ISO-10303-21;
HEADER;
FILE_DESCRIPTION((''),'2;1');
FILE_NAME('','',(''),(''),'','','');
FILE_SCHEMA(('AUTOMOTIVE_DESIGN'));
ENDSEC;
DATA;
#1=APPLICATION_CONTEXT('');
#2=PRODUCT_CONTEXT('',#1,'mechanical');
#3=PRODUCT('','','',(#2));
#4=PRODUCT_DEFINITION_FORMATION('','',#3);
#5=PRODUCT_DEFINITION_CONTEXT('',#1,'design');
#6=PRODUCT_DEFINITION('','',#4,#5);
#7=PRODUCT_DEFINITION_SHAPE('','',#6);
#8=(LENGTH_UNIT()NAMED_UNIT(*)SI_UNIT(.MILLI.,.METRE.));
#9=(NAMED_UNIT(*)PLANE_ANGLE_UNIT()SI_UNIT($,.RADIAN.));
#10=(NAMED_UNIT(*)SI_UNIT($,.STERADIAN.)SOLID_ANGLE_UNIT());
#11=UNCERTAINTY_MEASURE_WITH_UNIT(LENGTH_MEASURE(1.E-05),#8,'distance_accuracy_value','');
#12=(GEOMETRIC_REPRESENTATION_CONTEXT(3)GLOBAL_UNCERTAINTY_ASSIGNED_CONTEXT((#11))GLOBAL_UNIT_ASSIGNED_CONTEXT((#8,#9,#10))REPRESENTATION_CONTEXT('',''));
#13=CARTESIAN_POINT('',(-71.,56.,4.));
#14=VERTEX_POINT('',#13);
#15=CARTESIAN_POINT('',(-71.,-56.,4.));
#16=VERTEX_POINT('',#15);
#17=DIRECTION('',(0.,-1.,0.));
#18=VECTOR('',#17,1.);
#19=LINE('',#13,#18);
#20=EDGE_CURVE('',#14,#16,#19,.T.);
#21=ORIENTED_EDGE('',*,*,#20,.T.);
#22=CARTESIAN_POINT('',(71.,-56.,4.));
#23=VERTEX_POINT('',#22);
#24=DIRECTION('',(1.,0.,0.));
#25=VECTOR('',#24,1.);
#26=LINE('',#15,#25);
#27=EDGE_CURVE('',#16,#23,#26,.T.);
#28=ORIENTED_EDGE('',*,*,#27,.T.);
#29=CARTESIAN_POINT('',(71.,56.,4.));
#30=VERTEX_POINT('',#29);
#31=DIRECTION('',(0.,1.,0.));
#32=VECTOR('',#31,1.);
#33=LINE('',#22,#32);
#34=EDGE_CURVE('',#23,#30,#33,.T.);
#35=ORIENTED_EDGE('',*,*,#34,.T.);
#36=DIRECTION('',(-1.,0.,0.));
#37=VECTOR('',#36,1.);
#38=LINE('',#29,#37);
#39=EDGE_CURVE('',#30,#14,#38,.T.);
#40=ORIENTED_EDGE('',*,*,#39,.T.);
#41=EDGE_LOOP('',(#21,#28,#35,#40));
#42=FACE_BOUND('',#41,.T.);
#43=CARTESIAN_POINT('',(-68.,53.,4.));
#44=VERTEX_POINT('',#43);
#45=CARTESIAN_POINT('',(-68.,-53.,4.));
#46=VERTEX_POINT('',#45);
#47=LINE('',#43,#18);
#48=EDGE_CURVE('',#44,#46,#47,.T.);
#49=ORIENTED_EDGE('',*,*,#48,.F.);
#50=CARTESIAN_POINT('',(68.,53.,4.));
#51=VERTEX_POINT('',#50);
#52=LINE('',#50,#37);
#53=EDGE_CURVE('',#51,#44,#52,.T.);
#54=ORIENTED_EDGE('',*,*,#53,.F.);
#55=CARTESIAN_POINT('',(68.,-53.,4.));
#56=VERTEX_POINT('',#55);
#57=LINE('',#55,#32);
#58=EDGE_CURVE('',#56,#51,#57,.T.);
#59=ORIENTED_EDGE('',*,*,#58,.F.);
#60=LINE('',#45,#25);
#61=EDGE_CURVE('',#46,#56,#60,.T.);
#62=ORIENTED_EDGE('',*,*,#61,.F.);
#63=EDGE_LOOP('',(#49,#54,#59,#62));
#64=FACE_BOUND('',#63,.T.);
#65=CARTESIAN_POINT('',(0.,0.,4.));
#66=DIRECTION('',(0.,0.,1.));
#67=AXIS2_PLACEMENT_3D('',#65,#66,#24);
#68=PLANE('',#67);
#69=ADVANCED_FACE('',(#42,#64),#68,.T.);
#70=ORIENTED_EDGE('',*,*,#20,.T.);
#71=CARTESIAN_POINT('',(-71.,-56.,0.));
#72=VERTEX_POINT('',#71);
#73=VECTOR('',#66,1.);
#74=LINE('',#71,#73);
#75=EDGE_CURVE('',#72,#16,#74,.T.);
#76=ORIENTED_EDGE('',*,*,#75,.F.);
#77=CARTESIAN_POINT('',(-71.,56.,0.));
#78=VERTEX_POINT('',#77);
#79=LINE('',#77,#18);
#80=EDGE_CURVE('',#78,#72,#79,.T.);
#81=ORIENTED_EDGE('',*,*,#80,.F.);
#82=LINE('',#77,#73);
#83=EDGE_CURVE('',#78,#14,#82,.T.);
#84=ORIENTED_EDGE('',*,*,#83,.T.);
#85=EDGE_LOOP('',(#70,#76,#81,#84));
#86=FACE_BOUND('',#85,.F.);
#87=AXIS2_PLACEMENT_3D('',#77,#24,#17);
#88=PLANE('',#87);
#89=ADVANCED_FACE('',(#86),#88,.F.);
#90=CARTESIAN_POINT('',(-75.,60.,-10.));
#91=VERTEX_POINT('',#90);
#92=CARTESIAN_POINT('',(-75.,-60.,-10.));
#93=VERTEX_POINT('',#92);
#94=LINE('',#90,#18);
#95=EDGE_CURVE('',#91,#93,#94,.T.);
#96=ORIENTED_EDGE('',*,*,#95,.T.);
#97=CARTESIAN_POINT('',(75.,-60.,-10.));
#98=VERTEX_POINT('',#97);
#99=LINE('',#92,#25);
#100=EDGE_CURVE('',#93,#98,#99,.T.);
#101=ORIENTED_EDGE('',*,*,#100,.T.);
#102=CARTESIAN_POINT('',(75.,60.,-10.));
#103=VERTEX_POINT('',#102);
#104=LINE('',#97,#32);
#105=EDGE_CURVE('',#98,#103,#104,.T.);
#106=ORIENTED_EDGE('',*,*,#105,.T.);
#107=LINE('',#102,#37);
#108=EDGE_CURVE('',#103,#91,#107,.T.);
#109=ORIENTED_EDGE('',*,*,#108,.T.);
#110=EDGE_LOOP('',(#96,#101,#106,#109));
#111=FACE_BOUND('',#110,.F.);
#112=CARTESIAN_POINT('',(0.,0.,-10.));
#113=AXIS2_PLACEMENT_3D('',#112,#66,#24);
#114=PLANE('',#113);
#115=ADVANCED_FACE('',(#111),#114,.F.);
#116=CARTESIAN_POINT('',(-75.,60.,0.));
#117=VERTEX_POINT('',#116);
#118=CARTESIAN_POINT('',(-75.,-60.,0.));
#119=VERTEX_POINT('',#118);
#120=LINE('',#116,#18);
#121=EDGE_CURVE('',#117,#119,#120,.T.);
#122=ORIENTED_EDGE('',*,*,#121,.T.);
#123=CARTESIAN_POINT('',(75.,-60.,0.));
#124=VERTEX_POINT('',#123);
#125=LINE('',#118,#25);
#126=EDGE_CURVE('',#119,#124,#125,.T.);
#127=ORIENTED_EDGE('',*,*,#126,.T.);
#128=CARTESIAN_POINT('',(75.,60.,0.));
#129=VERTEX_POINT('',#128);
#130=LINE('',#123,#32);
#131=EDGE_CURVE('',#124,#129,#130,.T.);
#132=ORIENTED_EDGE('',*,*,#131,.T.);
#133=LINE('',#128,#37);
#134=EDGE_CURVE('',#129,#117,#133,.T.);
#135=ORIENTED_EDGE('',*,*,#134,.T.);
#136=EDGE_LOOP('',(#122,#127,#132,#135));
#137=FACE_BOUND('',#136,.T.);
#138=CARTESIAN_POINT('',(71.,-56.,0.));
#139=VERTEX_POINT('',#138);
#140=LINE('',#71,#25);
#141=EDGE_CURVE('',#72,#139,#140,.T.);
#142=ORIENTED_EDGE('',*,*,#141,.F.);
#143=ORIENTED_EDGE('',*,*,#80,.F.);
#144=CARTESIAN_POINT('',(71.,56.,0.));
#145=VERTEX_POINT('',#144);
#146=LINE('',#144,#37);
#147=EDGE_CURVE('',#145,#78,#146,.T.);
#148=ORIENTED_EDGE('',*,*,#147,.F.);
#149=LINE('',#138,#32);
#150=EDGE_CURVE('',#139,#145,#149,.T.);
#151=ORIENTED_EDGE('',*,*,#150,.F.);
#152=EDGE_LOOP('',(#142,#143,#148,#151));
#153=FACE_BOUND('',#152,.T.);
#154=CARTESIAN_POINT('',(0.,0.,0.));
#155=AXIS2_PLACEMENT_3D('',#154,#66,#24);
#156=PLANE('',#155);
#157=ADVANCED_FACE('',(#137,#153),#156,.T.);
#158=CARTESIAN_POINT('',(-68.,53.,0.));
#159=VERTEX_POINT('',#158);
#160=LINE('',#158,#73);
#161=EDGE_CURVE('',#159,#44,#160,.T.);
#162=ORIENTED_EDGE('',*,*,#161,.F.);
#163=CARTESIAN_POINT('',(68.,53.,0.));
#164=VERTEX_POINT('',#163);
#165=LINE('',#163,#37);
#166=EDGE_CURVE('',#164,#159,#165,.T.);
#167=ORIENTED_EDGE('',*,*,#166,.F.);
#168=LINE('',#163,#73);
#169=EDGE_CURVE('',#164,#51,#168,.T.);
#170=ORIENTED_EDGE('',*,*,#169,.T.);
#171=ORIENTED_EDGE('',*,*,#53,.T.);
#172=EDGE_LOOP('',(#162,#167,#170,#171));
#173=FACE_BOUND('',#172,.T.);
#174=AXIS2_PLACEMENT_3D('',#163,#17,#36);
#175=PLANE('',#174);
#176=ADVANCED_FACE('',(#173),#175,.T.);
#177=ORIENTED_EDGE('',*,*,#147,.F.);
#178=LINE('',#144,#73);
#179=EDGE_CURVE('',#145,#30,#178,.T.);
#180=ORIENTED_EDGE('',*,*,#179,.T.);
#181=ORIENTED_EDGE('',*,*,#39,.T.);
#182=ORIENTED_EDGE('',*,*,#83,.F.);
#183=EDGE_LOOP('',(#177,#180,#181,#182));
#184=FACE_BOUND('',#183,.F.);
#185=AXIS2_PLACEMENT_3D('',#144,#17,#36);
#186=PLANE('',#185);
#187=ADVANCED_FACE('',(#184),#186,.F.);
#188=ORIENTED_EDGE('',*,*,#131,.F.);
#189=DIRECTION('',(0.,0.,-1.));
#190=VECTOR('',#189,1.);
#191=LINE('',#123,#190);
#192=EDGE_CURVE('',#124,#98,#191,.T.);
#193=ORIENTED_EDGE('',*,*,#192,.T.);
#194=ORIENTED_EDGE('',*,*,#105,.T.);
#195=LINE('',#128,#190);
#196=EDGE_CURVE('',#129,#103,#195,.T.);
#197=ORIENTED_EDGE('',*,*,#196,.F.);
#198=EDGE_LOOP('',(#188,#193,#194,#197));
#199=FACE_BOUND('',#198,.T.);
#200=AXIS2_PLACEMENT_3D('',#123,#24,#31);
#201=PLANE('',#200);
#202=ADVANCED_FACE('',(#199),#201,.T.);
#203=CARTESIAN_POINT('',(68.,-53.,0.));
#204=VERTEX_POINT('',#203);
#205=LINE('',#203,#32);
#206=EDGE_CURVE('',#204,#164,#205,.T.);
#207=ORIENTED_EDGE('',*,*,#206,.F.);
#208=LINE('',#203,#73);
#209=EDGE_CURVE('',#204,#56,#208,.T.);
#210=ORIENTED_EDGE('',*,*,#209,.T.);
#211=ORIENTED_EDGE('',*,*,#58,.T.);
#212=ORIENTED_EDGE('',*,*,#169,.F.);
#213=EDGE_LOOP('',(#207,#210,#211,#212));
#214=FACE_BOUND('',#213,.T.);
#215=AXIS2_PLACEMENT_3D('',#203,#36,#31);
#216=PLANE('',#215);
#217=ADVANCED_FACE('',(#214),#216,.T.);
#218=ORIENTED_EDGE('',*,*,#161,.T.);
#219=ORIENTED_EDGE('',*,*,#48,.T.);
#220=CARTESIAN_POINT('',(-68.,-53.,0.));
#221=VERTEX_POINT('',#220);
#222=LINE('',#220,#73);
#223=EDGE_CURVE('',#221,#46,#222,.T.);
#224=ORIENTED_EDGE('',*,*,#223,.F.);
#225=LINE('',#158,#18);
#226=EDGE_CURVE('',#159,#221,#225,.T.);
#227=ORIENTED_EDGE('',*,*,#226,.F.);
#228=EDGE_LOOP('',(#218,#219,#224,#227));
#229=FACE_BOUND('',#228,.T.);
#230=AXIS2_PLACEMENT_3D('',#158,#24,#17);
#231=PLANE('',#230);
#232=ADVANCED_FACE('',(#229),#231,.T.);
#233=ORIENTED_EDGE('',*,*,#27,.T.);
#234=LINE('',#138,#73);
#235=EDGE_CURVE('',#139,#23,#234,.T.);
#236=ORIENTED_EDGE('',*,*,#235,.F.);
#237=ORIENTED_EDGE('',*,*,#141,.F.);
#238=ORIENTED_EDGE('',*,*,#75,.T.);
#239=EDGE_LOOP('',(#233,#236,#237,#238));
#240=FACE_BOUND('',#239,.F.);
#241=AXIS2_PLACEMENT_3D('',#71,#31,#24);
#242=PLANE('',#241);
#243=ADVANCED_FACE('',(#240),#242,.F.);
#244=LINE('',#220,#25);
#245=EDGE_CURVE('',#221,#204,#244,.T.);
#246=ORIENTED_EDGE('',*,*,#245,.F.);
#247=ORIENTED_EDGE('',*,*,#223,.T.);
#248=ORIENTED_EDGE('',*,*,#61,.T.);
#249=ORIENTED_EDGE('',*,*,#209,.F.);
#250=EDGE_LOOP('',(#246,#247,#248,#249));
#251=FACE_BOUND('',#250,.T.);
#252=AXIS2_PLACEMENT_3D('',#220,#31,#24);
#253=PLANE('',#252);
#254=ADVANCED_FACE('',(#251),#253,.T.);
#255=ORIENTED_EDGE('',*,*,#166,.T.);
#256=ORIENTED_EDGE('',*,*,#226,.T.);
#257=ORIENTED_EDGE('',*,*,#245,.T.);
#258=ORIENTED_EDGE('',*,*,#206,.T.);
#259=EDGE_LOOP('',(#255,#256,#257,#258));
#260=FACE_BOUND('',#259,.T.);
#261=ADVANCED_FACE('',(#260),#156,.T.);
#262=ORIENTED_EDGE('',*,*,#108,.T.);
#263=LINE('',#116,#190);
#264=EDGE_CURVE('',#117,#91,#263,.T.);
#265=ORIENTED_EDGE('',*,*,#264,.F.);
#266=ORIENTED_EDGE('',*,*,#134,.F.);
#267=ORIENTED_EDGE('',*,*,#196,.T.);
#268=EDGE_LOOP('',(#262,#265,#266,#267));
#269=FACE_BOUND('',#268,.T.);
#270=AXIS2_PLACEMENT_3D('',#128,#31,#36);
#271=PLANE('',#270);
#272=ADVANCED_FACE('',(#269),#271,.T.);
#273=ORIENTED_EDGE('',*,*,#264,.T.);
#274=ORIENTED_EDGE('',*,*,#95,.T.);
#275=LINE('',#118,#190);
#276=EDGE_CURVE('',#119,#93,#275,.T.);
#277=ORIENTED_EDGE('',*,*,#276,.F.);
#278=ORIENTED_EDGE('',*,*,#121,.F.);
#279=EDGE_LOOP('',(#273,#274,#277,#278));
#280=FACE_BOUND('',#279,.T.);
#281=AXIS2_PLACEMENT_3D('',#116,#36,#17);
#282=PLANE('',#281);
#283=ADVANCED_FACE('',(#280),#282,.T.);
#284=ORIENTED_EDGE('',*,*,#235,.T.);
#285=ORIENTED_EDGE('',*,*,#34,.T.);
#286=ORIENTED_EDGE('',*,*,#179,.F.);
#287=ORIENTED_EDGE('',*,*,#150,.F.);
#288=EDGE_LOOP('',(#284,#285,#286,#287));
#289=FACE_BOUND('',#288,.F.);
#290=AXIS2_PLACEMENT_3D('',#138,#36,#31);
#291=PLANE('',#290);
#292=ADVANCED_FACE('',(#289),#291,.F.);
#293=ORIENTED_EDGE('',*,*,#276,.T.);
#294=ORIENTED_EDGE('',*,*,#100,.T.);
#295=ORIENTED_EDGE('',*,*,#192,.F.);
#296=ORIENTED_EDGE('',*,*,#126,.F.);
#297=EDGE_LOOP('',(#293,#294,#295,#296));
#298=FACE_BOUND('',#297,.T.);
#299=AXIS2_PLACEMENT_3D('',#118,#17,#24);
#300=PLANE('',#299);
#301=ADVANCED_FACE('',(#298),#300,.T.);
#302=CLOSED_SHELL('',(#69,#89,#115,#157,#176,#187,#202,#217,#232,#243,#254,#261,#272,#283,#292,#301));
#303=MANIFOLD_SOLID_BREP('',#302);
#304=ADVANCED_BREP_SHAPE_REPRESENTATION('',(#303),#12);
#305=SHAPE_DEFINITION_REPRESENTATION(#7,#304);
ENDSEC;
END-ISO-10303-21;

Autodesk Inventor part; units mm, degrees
ref_plane "YZ Plane" through (0, 0, 0) normal (1, 0, 0) x (0, 1, 0)
ref_plane "XZ Plane" through (0, 0, 0) normal (0, 1, 0) x (-1, 0, 0)
ref_plane "XY Plane" through (0, 0, 0) normal (0, 0, 1) x (1, 0, 0)
sketch "Sketch1" plane through (0, 0, 0) normal (0, 0, 1) x (1, 0, 0)
  line L0 (-75, -60) -> (75, -60)
  line L1 (75, -60) -> (75, 60)
  line L2 (75, 60) -> (-75, 60)
  line L3 (-75, 60) -> (-75, -60)
  line L4 (-75, -60) -> (75, 60) construction
  line L5 (75, -60) -> (-75, 60) construction
  point P0 (0, 0)
  dimension "d0" = 150
  dimension "d1" = 120
extrude "Extrusion1" add sketch "Sketch1" against normal blind 10
sketch "Sketch2" plane through (0, 0, 0) normal (0, 0, 1) x (1, 0, 0)
  line L0 (-71, -56) -> (71, -56)
  line L1 (71, -56) -> (71, 56)
  line L2 (71, 56) -> (-71, 56)
  line L3 (-71, 56) -> (-71, -56)
  line L4 (-71, -56) -> (71, 56) construction
  line L5 (71, -56) -> (-71, 56) construction
  line L6 (75, 60) -> (-75, 60) projected
  line L7 (-75, 60) -> (-75, -60) projected
  line L8 (-68, -53) -> (68, -53)
  line L9 (68, -53) -> (68, 53)
  line L10 (68, 53) -> (-68, 53)
  line L11 (-68, 53) -> (-68, -53)
  line L12 (-68, -53) -> (68, 53) construction
  line L13 (68, -53) -> (-68, 53) construction
  point P0 (0, 0)
  dimension "d4" = 4
  dimension "d5" = 4
  dimension "d6" = 3
  dimension "d7" = 3
extrude "Extrusion2" add sketch "Sketch2" along normal blind 4
properties part number "Pi Case Top V 01" material "ABS Plastic"
